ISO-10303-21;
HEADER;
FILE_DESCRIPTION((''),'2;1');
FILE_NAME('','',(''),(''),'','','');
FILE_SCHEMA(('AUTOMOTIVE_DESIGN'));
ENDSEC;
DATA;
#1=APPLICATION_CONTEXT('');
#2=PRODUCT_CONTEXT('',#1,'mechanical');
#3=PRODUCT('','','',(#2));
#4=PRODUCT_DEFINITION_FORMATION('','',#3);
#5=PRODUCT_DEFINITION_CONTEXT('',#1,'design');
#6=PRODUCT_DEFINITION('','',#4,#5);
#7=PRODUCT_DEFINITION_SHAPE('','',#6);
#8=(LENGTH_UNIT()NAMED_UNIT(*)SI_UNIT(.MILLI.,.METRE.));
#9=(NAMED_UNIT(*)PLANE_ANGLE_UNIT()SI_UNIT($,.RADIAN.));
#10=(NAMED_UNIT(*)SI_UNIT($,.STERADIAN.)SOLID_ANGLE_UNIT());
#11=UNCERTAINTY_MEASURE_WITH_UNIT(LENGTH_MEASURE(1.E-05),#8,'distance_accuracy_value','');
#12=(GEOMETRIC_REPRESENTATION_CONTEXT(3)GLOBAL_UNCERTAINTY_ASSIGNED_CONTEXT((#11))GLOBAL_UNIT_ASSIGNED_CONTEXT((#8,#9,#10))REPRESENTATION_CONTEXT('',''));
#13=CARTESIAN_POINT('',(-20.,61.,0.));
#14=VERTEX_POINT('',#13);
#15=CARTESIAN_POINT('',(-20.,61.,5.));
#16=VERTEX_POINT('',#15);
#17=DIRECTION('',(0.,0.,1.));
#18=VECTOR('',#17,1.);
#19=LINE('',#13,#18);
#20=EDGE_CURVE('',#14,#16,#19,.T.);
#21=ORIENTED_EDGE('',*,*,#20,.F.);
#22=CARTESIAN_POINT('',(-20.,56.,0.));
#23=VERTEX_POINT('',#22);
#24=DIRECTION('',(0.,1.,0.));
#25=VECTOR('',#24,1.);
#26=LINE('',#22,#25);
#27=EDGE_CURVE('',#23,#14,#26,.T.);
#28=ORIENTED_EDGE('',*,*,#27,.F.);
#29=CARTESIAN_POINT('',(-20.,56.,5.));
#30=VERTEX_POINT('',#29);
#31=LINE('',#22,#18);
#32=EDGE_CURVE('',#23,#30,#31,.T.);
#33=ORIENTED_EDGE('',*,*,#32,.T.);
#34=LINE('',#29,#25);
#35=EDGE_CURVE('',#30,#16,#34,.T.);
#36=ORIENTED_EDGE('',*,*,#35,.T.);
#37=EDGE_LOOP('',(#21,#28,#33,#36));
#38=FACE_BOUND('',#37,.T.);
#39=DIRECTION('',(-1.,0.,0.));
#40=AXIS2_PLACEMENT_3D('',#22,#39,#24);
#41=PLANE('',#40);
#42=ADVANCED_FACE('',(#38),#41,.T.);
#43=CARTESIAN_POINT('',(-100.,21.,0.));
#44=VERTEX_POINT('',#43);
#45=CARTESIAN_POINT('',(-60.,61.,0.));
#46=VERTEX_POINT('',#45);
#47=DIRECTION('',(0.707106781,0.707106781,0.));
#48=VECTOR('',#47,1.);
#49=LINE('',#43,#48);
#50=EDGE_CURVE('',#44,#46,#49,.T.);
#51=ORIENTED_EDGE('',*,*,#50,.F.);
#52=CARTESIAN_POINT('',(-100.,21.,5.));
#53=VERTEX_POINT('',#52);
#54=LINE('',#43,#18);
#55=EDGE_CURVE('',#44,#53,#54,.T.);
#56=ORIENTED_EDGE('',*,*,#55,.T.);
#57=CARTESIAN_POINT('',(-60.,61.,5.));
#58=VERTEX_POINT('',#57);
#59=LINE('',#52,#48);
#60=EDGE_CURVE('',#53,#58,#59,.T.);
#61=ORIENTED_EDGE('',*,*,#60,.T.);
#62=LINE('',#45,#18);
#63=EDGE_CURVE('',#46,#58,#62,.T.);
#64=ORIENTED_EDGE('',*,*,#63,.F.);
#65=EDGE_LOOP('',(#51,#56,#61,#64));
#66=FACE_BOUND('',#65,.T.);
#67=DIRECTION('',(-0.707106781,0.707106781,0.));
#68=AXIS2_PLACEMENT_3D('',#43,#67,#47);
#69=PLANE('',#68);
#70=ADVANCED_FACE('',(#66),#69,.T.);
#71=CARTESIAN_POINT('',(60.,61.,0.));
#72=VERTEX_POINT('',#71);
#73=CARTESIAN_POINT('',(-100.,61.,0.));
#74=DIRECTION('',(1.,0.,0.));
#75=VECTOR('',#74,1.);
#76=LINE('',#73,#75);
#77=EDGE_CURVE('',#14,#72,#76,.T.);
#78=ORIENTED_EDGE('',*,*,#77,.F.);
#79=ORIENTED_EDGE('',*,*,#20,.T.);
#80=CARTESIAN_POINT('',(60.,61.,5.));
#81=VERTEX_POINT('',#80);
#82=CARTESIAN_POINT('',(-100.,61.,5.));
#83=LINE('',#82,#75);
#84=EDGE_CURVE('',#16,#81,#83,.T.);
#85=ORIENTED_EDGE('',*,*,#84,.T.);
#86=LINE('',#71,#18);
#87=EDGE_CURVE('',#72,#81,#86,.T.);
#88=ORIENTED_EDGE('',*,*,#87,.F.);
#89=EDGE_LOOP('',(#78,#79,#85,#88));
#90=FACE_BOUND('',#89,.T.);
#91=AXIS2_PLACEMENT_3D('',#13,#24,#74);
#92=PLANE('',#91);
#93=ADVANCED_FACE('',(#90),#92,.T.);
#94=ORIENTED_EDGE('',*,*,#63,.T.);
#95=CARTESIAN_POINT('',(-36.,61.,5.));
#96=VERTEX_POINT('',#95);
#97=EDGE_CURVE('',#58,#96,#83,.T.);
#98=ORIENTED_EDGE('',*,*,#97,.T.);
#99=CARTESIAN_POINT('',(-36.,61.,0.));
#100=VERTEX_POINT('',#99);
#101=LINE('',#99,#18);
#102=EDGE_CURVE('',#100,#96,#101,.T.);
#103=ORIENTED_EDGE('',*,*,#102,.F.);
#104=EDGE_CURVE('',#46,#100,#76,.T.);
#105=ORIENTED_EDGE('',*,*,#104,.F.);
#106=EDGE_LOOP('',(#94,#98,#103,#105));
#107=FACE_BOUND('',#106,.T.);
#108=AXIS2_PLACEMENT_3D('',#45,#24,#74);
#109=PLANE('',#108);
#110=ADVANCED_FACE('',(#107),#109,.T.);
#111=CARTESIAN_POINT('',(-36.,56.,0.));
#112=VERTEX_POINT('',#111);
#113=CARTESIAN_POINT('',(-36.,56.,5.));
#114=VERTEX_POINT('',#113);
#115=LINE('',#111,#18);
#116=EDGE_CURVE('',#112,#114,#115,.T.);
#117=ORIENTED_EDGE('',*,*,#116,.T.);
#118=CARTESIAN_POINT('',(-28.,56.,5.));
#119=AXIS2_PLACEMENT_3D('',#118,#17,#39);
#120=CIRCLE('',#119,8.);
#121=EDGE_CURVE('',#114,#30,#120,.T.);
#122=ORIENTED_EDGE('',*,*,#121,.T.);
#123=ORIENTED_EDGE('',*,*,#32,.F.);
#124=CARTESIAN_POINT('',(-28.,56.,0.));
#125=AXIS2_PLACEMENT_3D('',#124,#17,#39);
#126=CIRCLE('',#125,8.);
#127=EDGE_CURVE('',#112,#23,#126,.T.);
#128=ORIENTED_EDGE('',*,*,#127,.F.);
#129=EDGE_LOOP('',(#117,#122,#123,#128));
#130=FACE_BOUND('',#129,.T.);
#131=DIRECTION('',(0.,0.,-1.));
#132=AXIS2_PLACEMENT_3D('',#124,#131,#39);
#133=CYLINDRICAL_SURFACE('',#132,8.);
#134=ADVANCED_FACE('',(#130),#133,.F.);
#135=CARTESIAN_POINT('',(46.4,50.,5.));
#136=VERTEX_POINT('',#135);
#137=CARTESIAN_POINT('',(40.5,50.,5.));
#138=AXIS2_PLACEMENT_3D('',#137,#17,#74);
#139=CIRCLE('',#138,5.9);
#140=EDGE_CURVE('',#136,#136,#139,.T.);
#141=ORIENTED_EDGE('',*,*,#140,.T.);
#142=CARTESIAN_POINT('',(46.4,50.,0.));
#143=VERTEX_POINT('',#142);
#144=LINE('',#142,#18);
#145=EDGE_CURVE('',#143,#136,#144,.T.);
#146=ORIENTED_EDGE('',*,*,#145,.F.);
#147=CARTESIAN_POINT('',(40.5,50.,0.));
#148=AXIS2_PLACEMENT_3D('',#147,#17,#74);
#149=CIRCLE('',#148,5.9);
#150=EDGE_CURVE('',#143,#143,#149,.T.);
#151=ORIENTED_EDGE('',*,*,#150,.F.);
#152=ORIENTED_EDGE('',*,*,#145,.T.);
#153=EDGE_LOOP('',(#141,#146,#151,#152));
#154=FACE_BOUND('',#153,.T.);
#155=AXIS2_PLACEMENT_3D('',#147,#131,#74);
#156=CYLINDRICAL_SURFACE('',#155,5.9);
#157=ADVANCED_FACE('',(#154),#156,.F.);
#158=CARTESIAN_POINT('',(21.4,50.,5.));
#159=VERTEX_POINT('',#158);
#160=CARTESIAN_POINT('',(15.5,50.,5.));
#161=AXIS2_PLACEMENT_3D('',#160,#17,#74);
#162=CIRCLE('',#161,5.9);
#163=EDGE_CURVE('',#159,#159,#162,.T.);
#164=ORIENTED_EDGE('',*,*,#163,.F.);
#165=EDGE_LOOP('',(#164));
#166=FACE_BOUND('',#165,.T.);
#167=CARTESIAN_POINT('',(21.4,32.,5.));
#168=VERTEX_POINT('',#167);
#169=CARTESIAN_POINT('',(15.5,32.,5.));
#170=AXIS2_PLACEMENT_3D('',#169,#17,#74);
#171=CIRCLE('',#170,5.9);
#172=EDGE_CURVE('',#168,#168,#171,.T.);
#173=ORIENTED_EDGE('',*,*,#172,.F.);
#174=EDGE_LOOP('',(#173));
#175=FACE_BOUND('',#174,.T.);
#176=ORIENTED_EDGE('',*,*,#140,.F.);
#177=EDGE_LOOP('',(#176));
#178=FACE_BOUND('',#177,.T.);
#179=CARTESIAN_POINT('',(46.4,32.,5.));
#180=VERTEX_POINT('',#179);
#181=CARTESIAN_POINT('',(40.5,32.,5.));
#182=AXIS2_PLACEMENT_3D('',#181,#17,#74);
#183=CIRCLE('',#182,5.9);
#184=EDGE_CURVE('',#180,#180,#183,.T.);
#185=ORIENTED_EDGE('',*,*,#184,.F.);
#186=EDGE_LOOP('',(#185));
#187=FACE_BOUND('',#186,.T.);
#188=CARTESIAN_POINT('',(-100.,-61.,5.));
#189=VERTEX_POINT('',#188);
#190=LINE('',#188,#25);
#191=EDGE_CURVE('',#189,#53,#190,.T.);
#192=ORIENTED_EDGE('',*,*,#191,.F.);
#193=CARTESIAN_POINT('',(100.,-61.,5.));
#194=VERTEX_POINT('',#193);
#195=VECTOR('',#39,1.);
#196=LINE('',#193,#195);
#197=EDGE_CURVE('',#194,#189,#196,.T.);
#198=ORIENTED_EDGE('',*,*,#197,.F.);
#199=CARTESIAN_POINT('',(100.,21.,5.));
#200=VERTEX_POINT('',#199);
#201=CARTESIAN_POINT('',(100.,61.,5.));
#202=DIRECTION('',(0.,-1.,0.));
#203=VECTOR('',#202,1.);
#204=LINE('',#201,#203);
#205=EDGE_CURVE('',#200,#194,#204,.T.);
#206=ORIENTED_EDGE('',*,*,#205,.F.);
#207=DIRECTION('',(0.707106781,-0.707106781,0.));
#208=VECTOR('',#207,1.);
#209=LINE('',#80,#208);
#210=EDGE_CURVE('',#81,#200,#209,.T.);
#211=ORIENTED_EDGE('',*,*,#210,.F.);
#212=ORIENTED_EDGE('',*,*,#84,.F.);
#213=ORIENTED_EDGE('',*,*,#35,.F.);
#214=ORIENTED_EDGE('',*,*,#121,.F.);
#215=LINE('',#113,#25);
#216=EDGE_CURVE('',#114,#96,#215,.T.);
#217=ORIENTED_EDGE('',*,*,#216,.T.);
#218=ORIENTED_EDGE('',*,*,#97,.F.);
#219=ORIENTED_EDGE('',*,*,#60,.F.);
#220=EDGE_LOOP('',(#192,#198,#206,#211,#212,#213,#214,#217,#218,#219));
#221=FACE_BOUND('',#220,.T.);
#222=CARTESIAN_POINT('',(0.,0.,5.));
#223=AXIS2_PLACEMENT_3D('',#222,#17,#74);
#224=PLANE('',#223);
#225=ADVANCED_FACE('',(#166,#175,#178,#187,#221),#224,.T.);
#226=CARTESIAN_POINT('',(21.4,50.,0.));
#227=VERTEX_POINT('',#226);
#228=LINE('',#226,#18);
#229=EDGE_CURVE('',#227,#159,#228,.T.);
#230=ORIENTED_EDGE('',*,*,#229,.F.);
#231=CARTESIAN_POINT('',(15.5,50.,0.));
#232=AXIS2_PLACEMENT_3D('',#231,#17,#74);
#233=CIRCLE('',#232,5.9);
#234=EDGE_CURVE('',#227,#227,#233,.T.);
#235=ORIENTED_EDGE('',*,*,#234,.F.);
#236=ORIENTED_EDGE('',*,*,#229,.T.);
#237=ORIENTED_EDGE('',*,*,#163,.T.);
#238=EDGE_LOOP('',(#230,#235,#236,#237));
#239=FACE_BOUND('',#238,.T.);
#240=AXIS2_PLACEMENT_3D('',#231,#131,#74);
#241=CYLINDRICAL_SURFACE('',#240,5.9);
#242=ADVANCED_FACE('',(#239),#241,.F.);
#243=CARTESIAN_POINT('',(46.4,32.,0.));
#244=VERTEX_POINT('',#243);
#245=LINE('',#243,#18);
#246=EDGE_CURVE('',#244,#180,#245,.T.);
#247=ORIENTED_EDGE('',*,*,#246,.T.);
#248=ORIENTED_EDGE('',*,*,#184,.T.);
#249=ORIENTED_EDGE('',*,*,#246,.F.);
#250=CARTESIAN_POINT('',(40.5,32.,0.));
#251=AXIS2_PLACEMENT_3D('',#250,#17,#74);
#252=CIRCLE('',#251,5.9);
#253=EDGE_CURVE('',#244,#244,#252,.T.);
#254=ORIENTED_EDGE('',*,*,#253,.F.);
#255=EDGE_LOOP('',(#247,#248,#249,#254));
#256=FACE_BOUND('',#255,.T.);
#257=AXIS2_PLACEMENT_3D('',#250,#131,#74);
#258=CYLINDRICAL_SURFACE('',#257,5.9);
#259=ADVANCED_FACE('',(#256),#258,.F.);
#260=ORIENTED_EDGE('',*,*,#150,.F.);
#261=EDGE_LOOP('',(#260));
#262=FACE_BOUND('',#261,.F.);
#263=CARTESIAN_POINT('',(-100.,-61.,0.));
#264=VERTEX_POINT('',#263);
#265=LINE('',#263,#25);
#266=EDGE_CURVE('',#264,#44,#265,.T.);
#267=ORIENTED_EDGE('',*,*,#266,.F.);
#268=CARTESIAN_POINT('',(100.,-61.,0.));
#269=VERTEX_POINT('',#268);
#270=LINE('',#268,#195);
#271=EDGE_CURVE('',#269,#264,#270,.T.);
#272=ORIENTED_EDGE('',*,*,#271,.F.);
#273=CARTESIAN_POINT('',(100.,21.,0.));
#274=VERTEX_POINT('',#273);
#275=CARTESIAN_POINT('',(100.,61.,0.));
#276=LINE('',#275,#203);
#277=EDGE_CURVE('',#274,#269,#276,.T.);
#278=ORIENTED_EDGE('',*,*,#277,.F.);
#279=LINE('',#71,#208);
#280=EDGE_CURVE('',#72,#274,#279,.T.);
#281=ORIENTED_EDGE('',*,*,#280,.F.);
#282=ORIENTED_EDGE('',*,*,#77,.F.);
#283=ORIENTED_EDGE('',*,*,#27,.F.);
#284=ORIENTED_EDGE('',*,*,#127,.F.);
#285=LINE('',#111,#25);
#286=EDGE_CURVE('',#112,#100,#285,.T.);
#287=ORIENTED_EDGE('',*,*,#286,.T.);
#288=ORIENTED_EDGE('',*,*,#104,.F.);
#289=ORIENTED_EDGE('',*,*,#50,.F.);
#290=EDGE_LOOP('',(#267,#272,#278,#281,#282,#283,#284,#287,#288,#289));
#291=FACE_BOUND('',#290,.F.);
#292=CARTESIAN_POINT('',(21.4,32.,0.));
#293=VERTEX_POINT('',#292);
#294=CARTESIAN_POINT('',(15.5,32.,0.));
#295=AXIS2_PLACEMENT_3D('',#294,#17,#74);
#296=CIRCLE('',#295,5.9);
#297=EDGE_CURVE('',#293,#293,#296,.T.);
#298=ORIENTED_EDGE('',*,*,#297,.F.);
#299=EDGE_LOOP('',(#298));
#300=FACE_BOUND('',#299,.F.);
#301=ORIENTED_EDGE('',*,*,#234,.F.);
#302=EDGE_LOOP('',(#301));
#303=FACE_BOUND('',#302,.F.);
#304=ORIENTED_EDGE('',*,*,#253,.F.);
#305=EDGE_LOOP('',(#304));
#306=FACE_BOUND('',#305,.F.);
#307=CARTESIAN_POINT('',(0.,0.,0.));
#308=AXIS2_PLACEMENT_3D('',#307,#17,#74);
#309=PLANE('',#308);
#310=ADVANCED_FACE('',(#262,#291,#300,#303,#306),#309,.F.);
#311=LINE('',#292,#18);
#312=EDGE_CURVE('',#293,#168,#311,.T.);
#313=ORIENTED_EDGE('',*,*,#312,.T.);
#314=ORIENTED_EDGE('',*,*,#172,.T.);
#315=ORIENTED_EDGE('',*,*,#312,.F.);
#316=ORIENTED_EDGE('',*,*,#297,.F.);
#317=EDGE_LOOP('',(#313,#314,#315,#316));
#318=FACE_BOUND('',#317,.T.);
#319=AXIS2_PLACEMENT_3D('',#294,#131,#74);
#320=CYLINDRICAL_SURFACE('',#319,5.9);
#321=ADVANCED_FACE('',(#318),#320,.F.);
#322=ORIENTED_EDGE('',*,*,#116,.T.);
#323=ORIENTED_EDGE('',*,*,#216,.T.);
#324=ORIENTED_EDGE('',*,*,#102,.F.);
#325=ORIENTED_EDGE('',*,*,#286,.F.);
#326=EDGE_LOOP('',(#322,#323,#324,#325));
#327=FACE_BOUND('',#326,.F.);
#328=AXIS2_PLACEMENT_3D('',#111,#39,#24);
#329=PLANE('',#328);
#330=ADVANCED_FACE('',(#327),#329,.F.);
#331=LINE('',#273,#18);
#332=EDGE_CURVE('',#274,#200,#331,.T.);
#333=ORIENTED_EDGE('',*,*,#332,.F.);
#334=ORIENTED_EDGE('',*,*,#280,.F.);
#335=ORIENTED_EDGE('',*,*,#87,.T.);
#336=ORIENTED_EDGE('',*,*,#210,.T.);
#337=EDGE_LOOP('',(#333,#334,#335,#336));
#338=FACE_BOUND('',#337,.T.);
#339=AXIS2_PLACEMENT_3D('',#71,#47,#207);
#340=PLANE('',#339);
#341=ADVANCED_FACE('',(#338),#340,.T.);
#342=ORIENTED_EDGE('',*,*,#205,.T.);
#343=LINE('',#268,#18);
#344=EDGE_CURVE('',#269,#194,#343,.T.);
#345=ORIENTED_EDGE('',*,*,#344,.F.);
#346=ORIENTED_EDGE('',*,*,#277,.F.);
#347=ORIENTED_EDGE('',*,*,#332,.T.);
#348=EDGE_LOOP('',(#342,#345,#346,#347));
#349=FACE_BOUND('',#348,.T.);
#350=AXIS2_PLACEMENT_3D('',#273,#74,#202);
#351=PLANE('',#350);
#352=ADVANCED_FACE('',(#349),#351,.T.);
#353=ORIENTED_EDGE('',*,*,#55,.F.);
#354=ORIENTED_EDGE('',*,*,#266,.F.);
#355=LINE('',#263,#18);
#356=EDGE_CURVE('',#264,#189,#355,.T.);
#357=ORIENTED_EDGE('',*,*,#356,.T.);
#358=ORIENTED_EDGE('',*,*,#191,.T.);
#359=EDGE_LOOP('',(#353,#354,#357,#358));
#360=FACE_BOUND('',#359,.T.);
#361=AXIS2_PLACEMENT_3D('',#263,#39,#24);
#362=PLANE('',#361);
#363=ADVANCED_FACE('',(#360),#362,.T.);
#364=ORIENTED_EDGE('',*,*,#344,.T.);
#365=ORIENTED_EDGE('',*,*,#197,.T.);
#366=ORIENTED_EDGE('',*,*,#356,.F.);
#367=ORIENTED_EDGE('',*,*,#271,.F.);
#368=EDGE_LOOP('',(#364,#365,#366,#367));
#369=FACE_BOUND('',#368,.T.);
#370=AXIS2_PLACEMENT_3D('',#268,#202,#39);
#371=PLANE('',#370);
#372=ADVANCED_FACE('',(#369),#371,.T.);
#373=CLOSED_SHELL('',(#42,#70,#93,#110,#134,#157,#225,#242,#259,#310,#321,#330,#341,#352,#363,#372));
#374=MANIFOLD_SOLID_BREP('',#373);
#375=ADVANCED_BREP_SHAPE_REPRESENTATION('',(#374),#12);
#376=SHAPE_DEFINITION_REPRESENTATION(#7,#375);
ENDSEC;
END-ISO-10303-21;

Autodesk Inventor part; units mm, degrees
ref_plane "YZ Plane" through (0, 0, 0) normal (1, 0, 0) x (0, 1, 0)
ref_plane "XZ Plane" through (0, 0, 0) normal (0, 1, 0) x (-1, 0, 0)
ref_plane "XY Plane" through (0, 0, 0) normal (0, 0, 1) x (1, 0, 0)
sketch "Skizze1" plane through (0, 0, 0) normal (0, 0, 1) x (1, 0, 0)
  line L0 (-100, 61) -> (100, 61)
  line L1 (100, 61) -> (100, -61)
  line L2 (100, -61) -> (-100, -61)
  line L3 (-100, -61) -> (-100, 61)
  line L4 (-100, 61) -> (100, -61) construction
  line L5 (100, 61) -> (-100, -61) construction
  line L6 (-100, 21) -> (-60, 61)
  line L7 (60, 61) -> (100, 21)
  circle A0 centre (15.5, 50) radius 5.9
  circle A1 centre (15.5, 32) radius 5.9
  circle A2 centre (40.5, 50) radius 5.9
  circle A3 centre (40.5, 32) radius 5.9
  line L8 (15.5, 50) -> (15.5, 32) construction
  line L9 (15.5, 50) -> (40.5, 50) construction
  line L10 (40.5, 50) -> (40.5, 32) construction
  line L11 (40.5, 32) -> (15.5, 32) construction
  line L12 (28, 50) -> (28, 32) construction
  line L13 (0, 61) -> (0, -61) construction
  line L14 (15.5, 41) -> (40.5, 41) construction
  arc A4 (-36, 56) -> (-20, 56) centre (-28, 56) ccw
  line L15 (-36, 56) -> (-36, 61)
  line L16 (-20, 56) -> (-20, 61)
  point P0 (0, 0)
  dimension "d0" = 45
  dimension "d1" = 40
  dimension "d2" = 122
  dimension "d3" = 200
  dimension "d4" = 40
  dimension "d5" = 45
  dimension "d8" = 11.8
  dimension "d9" = 11.8
  dimension "d10" = 11.8
  dimension "d11" = 11.8
  dimension "d12" = 25
  dimension "d13" = 18
  dimension "d14" = 28
  dimension "d15" = 20
  dimension "d16" = 8
  dimension "d17" = 5
  dimension "d18" = 28
extrude "Extrusion1" add sketch "Skizze1" along normal blind 5 contours L0 L15 A4 L16 L7 L1 L2 L3 L6
equation "\"d18\" = d14"
properties part number "PSM_ECover"
